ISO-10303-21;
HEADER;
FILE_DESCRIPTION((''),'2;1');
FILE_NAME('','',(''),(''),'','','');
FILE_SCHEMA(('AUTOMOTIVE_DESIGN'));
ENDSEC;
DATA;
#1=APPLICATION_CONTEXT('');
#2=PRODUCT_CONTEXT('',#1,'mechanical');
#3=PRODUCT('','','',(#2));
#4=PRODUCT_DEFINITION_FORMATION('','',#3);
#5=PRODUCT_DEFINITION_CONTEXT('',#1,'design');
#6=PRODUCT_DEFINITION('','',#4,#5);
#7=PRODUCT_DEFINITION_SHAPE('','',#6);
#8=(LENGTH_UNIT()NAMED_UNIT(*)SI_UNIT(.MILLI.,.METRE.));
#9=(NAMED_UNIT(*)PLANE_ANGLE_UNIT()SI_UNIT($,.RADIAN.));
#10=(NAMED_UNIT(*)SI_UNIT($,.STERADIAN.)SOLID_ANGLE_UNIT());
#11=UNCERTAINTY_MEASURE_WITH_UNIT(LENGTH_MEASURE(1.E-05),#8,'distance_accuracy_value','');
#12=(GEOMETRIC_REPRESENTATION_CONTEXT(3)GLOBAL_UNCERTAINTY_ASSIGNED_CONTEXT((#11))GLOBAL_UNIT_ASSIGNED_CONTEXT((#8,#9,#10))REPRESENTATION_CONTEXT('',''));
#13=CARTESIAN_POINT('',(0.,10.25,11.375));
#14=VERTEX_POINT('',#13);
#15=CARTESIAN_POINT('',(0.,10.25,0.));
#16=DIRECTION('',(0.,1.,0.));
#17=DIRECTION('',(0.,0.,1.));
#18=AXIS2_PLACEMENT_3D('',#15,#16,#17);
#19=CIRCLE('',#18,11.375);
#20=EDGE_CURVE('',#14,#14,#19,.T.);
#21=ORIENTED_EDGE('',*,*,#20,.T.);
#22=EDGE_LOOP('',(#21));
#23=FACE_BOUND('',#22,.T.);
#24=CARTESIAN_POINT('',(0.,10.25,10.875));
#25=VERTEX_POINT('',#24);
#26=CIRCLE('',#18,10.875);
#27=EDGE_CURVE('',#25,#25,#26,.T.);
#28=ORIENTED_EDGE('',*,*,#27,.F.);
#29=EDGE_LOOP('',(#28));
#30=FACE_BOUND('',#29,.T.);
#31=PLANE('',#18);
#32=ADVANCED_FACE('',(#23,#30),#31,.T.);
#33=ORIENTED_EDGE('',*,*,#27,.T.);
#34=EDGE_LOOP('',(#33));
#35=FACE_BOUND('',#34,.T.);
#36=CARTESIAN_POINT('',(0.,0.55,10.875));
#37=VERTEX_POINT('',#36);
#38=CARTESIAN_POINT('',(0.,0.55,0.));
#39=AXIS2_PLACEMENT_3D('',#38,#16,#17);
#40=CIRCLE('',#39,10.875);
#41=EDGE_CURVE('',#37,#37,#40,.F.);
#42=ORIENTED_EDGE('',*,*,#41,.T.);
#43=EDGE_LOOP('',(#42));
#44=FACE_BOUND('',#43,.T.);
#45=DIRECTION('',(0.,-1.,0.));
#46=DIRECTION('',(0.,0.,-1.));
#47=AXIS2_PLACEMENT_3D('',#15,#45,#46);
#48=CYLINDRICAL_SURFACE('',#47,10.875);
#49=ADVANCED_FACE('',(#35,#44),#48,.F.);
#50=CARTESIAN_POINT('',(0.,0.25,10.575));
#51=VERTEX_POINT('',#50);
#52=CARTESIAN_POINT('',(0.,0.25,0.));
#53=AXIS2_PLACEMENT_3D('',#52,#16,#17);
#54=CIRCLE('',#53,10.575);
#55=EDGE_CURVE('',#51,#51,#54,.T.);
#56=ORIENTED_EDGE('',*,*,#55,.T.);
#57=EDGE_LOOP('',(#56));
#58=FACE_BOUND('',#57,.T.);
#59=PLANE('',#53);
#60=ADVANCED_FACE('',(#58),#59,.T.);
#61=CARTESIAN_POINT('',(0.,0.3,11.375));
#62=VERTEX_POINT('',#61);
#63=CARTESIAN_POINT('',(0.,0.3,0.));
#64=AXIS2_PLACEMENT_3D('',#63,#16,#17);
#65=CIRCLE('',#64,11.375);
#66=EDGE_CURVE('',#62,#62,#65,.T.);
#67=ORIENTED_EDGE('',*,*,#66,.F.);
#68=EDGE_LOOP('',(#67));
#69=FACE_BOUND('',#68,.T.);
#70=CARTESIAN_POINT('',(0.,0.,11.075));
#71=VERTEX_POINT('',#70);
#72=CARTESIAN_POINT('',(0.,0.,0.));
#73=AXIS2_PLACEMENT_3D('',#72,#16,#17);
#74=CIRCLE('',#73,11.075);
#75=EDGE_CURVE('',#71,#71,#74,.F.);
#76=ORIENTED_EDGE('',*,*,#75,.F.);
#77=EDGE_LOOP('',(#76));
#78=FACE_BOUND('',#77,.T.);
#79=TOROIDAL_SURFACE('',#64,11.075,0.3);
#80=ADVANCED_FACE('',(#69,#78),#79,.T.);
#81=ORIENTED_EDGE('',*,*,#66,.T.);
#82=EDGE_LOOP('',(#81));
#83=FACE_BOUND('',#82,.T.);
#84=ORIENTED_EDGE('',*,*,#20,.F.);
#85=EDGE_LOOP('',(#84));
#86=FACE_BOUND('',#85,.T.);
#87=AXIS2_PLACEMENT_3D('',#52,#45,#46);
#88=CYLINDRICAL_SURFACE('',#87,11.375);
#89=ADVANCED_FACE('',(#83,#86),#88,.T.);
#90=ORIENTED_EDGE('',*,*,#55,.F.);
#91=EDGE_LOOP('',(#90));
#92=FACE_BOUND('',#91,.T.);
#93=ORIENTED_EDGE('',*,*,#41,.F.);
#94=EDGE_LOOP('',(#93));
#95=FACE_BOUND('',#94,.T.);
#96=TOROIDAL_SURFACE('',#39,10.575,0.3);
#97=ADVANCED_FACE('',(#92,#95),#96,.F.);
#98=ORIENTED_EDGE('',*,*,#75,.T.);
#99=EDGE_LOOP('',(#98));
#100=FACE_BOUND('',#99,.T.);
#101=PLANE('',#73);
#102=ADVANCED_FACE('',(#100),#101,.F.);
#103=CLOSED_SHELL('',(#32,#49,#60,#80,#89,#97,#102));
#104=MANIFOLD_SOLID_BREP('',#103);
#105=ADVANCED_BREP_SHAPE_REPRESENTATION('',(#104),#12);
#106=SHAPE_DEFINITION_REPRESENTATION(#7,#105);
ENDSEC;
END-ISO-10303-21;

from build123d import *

# Parameters (mm, degrees)
CROQUIS1_R              = 11.375
SALIENTE_EXTRUIR1_DEPTH = 0.25
CROQUIS2_R              = 11.375
CROQUIS2_R_2            = 10.875
SALIENTE_EXTRUIR2_DEPTH = 10
REDONDEO1_R             = 0.3
REDONDEO2_R             = 0.3


with BuildPart() as part:
    # Croquis1 → Saliente-Extruir1 (new body)
    with BuildSketch(Plane(origin=(0, 0, 0), x_dir=(1, 0, 0), z_dir=(0, 1, 0))):
        with Locations(Location((0, 0, 0), (0, 0, 270))):
            Circle(CROQUIS1_R)
    extrude(amount=SALIENTE_EXTRUIR1_DEPTH)

    # Croquis2 → Saliente-Extruir2 (add)
    with BuildSketch(Plane(origin=(0, 0.25, 0), x_dir=(1, 0, 0), z_dir=(0, 1, 0))):
        with Locations(Location((0, 0, 0), (0, 0, 270))):
            Circle(CROQUIS2_R)
        with Locations(Location((0, 0, 0), (0, 0, 270))):
            Circle(CROQUIS2_R_2, mode=Mode.SUBTRACT)
    extrude(amount=SALIENTE_EXTRUIR2_DEPTH)

    # Redondeo1
    redondeo1_edges = [part.edges().sort_by_distance(p)[0] for p in [
        (0, 0.25, -10.875),
    ]]
    fillet(redondeo1_edges, radius=REDONDEO1_R)

    # Redondeo2
    redondeo2_edges = [part.edges().sort_by_distance(p)[0] for p in [
        (0, 0, -11.375),
    ]]
    fillet(redondeo2_edges, radius=REDONDEO2_R)


solid = part.part
